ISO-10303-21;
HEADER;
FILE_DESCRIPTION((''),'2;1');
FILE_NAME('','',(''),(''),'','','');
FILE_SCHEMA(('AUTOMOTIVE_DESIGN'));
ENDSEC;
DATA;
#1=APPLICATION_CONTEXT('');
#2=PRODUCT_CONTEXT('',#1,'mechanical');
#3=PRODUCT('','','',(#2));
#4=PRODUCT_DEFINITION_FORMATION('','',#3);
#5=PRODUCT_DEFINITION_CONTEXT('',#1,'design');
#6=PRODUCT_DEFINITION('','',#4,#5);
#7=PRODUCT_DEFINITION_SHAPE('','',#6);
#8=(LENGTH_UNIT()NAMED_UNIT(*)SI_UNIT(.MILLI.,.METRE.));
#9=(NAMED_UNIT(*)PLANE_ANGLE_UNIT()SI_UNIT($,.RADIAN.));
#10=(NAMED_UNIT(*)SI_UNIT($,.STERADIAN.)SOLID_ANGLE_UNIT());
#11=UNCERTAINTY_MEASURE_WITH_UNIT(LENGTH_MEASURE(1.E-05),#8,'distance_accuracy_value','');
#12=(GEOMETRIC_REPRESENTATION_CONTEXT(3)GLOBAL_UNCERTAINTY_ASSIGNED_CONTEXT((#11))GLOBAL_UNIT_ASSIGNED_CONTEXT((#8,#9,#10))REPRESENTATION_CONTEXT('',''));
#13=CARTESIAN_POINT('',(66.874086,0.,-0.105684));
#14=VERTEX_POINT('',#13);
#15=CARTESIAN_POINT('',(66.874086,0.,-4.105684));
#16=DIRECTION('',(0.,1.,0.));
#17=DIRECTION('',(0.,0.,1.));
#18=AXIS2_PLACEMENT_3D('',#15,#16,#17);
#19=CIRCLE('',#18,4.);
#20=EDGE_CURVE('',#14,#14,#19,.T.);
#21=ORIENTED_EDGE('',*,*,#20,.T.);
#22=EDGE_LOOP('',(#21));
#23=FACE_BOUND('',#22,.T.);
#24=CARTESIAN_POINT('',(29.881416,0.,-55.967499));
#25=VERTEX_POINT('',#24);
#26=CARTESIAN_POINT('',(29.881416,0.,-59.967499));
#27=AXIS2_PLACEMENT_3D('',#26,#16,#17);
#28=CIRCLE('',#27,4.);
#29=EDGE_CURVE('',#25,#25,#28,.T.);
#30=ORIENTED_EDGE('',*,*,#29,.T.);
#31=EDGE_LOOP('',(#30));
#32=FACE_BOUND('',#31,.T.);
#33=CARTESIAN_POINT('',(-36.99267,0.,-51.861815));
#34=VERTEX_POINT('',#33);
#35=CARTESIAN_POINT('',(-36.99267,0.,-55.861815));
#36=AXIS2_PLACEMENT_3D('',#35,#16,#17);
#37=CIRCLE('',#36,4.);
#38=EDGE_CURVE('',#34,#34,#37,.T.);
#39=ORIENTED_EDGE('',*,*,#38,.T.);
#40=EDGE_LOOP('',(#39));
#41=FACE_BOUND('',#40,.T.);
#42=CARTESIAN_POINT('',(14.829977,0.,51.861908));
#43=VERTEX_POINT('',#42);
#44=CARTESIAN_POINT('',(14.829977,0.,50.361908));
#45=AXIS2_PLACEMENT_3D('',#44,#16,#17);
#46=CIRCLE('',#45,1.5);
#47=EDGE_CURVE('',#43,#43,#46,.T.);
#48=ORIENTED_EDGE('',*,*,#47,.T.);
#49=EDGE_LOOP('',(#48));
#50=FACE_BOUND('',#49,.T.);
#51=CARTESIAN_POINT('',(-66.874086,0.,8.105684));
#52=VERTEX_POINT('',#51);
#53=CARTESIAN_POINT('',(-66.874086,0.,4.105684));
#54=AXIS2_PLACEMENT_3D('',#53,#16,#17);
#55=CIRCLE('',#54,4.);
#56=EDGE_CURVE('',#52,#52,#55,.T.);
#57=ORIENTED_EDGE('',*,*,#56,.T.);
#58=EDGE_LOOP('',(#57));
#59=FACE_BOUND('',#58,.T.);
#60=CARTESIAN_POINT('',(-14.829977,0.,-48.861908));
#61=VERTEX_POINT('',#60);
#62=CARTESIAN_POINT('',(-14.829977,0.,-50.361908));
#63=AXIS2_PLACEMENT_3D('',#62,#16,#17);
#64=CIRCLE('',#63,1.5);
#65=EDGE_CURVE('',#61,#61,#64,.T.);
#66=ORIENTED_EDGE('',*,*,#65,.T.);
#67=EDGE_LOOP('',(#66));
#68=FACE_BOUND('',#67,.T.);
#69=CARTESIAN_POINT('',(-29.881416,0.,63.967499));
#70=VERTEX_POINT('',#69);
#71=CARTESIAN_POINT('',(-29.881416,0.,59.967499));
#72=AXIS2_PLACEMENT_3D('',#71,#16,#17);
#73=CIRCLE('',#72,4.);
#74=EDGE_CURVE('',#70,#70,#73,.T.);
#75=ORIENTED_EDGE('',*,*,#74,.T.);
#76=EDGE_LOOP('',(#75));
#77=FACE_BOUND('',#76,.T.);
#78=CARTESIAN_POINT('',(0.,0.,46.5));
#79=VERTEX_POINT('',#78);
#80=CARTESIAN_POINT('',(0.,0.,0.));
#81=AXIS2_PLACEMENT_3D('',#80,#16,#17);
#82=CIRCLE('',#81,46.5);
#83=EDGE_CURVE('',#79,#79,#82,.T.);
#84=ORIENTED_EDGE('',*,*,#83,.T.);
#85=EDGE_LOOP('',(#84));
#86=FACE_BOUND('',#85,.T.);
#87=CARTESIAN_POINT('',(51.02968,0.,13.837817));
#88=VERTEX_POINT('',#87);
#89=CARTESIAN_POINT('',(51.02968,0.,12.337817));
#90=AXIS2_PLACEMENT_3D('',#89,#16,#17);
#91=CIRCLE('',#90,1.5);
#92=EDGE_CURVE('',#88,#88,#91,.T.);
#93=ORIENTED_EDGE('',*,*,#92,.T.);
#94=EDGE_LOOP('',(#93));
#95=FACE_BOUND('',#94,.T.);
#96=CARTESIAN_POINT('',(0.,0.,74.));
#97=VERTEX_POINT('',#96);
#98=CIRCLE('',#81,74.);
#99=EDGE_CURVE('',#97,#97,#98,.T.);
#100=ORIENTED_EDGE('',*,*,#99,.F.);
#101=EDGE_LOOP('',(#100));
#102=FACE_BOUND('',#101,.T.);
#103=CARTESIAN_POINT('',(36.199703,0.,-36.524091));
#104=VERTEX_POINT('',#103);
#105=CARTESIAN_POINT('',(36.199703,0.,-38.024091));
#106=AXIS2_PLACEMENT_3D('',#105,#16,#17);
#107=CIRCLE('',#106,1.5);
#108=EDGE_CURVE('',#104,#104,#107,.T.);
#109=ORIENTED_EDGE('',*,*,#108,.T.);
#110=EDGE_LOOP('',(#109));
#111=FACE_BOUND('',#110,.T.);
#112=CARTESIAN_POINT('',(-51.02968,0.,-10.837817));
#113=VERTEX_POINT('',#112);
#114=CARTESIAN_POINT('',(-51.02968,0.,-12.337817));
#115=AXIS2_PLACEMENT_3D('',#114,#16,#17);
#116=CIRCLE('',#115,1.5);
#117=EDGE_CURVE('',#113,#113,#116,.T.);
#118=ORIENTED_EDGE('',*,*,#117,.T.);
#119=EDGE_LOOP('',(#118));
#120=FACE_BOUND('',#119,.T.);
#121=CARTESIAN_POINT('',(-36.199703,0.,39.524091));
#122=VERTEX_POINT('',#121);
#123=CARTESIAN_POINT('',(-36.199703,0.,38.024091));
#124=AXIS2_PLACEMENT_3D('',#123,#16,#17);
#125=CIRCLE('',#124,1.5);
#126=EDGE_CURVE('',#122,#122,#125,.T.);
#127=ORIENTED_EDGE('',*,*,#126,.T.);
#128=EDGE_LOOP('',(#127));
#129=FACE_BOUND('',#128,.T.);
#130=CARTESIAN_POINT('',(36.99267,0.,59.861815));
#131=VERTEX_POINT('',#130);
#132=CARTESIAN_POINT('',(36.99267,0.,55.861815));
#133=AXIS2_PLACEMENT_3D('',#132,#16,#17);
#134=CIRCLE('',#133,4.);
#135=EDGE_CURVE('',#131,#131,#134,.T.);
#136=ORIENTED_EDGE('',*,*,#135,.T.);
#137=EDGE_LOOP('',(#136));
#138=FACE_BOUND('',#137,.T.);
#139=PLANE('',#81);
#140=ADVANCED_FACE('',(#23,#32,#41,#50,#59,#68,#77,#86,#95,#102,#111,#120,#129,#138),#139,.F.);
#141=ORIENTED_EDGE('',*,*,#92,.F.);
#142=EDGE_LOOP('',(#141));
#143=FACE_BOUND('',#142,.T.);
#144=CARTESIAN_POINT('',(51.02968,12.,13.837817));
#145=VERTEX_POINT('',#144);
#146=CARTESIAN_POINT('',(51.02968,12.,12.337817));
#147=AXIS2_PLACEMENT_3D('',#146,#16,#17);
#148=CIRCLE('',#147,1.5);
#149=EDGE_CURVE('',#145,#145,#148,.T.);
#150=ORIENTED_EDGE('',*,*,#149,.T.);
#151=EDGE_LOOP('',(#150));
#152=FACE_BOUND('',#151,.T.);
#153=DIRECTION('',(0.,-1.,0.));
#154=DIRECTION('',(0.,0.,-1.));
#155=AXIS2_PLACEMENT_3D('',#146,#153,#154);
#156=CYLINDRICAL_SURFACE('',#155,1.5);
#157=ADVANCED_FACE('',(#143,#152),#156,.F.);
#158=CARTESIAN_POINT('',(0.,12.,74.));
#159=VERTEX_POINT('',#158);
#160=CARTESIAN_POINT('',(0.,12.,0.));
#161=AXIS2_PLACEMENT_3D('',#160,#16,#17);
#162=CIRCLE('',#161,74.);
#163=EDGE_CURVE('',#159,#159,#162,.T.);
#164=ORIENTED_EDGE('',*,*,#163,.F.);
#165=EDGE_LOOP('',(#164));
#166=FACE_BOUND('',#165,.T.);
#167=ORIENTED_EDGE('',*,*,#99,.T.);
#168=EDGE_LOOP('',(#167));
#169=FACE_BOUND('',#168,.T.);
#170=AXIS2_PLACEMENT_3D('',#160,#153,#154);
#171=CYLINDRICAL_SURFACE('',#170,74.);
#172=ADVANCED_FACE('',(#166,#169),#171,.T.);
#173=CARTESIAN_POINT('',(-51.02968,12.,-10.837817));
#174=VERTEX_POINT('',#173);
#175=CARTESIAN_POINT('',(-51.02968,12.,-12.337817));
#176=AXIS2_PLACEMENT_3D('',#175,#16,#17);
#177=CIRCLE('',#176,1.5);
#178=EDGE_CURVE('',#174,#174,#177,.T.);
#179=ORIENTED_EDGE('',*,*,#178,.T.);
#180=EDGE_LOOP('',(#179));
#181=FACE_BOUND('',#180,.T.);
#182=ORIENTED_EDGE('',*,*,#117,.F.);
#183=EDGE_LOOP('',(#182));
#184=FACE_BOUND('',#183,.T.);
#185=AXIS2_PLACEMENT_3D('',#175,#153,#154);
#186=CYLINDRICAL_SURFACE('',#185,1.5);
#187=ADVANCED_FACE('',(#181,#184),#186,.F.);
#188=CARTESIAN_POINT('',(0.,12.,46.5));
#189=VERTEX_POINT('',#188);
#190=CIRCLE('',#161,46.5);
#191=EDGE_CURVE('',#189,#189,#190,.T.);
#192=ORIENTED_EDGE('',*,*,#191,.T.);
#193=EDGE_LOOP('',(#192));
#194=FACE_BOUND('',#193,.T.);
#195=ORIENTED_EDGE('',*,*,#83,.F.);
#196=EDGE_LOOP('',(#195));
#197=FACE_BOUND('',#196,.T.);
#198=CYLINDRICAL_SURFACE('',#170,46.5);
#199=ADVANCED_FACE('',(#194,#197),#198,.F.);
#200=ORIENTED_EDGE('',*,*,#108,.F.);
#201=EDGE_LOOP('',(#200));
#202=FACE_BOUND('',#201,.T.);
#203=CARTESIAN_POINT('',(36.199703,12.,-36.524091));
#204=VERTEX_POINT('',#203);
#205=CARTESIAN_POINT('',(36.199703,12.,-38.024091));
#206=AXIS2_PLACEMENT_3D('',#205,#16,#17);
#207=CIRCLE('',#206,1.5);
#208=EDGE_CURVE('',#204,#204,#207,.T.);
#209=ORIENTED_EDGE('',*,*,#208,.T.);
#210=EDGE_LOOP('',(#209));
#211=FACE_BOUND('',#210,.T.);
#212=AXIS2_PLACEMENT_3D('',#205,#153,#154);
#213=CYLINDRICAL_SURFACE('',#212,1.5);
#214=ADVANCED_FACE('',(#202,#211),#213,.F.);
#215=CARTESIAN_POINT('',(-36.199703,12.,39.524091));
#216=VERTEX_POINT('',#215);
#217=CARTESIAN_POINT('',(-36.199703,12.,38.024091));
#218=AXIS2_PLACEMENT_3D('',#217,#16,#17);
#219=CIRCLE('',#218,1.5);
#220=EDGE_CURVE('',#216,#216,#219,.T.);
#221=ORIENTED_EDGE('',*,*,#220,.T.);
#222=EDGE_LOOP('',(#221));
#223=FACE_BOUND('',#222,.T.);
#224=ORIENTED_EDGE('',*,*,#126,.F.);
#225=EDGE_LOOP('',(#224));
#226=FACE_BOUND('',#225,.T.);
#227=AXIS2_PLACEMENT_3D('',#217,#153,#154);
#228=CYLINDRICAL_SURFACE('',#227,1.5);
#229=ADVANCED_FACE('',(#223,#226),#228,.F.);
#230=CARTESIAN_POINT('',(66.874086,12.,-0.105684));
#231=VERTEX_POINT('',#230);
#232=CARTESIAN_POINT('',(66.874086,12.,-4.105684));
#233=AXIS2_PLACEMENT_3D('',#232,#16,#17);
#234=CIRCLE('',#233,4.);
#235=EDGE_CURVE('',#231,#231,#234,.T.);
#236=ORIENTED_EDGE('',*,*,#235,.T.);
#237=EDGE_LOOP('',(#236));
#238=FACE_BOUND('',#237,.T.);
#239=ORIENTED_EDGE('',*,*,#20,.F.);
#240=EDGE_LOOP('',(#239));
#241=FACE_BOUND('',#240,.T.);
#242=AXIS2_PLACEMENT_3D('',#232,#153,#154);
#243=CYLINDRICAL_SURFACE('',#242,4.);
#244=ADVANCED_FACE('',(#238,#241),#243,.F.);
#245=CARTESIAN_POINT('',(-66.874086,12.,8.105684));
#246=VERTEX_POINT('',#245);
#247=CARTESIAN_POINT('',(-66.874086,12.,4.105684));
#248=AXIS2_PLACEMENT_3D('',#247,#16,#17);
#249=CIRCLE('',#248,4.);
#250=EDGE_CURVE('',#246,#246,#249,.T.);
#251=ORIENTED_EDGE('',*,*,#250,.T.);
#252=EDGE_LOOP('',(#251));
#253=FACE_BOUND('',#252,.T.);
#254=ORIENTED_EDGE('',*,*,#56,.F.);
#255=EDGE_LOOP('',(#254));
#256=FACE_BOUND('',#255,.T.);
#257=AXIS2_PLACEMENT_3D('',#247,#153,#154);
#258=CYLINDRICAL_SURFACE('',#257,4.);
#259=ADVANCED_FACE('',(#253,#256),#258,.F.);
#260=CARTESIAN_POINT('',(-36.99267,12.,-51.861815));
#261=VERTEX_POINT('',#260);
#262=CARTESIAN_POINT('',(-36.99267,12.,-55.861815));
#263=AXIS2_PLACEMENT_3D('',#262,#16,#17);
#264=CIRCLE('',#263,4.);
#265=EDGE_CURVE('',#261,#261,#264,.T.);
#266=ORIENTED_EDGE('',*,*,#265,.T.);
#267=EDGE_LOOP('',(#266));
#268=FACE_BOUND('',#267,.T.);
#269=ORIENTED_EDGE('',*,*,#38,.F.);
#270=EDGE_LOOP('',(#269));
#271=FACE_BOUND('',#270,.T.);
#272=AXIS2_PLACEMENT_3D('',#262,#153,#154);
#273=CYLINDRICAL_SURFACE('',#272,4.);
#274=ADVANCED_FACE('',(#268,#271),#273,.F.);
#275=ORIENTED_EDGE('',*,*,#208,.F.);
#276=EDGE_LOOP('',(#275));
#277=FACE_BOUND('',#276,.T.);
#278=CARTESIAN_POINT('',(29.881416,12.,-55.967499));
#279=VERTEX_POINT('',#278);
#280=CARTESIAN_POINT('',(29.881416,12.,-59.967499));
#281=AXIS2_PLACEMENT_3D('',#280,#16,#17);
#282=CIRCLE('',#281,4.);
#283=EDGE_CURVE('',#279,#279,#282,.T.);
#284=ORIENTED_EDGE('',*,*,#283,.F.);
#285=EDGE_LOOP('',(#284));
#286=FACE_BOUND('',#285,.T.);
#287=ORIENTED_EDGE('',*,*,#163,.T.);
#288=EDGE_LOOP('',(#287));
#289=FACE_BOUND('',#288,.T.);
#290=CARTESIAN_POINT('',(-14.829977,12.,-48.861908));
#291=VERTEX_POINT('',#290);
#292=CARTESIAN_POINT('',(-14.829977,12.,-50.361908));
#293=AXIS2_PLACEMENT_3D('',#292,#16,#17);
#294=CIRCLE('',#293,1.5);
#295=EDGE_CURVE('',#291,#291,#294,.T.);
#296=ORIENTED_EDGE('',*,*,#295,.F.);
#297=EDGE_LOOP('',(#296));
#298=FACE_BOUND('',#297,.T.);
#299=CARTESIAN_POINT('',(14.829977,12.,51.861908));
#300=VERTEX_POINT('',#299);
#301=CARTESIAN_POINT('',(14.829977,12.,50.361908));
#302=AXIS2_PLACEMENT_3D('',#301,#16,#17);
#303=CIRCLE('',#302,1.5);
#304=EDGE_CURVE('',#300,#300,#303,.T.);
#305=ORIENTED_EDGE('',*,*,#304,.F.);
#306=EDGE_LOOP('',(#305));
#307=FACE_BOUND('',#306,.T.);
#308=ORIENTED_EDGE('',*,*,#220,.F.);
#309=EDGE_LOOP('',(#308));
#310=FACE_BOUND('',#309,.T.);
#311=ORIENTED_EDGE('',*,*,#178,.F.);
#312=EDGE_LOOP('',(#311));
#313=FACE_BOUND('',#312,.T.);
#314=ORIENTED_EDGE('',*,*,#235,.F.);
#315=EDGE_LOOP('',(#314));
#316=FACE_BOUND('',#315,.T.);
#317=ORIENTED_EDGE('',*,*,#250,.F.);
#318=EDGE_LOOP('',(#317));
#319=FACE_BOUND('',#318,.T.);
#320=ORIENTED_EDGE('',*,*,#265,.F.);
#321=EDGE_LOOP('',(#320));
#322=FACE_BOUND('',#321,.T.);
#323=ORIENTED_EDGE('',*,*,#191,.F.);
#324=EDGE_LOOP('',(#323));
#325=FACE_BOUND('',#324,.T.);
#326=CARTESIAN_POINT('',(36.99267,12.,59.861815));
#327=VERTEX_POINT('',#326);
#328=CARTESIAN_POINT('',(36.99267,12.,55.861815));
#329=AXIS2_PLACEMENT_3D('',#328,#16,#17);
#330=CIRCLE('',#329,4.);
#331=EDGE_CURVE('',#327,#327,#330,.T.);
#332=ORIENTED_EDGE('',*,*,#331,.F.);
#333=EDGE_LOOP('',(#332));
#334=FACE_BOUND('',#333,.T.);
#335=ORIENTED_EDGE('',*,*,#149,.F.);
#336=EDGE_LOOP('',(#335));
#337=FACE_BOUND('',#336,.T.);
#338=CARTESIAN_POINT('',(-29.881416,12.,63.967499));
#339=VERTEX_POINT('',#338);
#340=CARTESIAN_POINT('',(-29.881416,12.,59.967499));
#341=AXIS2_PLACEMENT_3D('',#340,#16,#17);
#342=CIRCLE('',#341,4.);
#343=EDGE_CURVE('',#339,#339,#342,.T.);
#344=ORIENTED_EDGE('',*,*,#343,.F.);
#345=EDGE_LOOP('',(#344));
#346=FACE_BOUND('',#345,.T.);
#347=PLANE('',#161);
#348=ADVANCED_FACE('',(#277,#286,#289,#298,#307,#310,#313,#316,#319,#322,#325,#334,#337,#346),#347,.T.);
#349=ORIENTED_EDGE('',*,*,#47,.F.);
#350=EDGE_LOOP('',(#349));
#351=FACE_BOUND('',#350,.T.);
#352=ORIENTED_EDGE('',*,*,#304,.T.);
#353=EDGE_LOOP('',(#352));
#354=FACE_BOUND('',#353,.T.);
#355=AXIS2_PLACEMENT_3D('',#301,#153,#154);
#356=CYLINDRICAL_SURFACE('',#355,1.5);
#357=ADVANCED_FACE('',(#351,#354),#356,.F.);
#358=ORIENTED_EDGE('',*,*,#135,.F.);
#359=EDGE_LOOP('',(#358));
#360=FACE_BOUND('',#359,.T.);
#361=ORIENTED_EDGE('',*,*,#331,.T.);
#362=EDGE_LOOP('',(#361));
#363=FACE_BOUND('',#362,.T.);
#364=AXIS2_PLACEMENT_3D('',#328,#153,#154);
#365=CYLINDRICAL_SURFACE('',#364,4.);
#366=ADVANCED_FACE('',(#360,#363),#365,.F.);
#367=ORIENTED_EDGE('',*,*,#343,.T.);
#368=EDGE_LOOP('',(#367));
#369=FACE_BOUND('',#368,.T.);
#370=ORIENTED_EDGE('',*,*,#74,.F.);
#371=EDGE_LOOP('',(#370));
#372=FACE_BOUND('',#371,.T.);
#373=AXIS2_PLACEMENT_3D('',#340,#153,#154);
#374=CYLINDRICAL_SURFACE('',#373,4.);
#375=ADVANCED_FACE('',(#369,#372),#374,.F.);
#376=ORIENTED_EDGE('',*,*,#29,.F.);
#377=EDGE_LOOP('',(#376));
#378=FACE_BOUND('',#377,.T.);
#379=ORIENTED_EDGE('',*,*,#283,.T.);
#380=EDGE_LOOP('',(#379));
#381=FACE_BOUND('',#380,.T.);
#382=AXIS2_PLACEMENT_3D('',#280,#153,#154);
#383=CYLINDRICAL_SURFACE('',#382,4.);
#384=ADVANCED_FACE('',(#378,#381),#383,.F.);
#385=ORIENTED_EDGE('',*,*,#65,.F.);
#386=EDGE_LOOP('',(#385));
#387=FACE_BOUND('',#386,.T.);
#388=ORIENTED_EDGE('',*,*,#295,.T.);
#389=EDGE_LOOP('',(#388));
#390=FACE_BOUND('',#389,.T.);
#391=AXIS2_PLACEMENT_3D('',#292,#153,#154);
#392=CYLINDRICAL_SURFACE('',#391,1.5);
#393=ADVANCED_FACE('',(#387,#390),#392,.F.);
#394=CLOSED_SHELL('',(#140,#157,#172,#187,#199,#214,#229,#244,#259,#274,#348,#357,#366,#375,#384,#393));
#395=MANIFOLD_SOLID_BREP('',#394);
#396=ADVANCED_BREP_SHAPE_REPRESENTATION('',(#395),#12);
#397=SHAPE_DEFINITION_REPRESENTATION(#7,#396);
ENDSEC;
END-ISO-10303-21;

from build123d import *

# Parameters (mm, degrees)
SKETCH_1_R      = 74
SKETCH_1_R_2    = 46.5
SKETCH_1_R_3    = 1.5
SKETCH_1_R_4    = 4
EXTRUDE_2_DEPTH = 12


with BuildPart() as part:
    # 草图1 → 凸台-拉伸2 (new body)
    with BuildSketch(Plane(origin=(0, 0, 0), x_dir=(1, 0, 0), z_dir=(0, 1, 0))):
        with Locations(Location((0, 0, 0), (0, 0, 270))):
            Circle(SKETCH_1_R)
        with Locations(Location((0, 0, 0), (0, 0, 270))):
            Circle(SKETCH_1_R_2, mode=Mode.SUBTRACT)
        with Locations(Location((36.199702934, 38.024091146, 0), (0, 0, 270))):
            Circle(SKETCH_1_R_3, mode=Mode.SUBTRACT)
        with Locations(Location((29.881416045, 59.967499324, 0), (0, 0, 270))):
            Circle(SKETCH_1_R_4, mode=Mode.SUBTRACT)
        with Locations(Location((66.874085838, 4.105684266, 0), (0, 0, 270))):
            Circle(SKETCH_1_R_4, mode=Mode.SUBTRACT)
        with Locations(Location((51.029680355, -12.337816778, 0), (0, 0, 270))):
            Circle(SKETCH_1_R_3, mode=Mode.SUBTRACT)
        with Locations(Location((36.992669793, -55.861815058, 0), (0, 0, 270))):
            Circle(SKETCH_1_R_4, mode=Mode.SUBTRACT)
        with Locations(Location((14.829977421, -50.361907923, 0), (0, 0, 270))):
            Circle(SKETCH_1_R_3, mode=Mode.SUBTRACT)
        with Locations(Location((-29.881416045, -59.967499324, 0), (0, 0, 270))):
            Circle(SKETCH_1_R_4, mode=Mode.SUBTRACT)
        with Locations(Location((-36.199702934, -38.024091146, 0), (0, 0, 270))):
            Circle(SKETCH_1_R_3, mode=Mode.SUBTRACT)
        with Locations(Location((-66.874085838, -4.105684266, 0), (0, 0, 270))):
            Circle(SKETCH_1_R_4, mode=Mode.SUBTRACT)
        with Locations(Location((-51.029680355, 12.337816778, 0), (0, 0, 270))):
            Circle(SKETCH_1_R_3, mode=Mode.SUBTRACT)
        with Locations(Location((-36.992669793, 55.861815058, 0), (0, 0, 270))):
            Circle(SKETCH_1_R_4, mode=Mode.SUBTRACT)
        with Locations(Location((-14.829977421, 50.361907923, 0), (0, 0, 270))):
            Circle(SKETCH_1_R_3, mode=Mode.SUBTRACT)
    extrude(amount=EXTRUDE_2_DEPTH)


solid = part.part
